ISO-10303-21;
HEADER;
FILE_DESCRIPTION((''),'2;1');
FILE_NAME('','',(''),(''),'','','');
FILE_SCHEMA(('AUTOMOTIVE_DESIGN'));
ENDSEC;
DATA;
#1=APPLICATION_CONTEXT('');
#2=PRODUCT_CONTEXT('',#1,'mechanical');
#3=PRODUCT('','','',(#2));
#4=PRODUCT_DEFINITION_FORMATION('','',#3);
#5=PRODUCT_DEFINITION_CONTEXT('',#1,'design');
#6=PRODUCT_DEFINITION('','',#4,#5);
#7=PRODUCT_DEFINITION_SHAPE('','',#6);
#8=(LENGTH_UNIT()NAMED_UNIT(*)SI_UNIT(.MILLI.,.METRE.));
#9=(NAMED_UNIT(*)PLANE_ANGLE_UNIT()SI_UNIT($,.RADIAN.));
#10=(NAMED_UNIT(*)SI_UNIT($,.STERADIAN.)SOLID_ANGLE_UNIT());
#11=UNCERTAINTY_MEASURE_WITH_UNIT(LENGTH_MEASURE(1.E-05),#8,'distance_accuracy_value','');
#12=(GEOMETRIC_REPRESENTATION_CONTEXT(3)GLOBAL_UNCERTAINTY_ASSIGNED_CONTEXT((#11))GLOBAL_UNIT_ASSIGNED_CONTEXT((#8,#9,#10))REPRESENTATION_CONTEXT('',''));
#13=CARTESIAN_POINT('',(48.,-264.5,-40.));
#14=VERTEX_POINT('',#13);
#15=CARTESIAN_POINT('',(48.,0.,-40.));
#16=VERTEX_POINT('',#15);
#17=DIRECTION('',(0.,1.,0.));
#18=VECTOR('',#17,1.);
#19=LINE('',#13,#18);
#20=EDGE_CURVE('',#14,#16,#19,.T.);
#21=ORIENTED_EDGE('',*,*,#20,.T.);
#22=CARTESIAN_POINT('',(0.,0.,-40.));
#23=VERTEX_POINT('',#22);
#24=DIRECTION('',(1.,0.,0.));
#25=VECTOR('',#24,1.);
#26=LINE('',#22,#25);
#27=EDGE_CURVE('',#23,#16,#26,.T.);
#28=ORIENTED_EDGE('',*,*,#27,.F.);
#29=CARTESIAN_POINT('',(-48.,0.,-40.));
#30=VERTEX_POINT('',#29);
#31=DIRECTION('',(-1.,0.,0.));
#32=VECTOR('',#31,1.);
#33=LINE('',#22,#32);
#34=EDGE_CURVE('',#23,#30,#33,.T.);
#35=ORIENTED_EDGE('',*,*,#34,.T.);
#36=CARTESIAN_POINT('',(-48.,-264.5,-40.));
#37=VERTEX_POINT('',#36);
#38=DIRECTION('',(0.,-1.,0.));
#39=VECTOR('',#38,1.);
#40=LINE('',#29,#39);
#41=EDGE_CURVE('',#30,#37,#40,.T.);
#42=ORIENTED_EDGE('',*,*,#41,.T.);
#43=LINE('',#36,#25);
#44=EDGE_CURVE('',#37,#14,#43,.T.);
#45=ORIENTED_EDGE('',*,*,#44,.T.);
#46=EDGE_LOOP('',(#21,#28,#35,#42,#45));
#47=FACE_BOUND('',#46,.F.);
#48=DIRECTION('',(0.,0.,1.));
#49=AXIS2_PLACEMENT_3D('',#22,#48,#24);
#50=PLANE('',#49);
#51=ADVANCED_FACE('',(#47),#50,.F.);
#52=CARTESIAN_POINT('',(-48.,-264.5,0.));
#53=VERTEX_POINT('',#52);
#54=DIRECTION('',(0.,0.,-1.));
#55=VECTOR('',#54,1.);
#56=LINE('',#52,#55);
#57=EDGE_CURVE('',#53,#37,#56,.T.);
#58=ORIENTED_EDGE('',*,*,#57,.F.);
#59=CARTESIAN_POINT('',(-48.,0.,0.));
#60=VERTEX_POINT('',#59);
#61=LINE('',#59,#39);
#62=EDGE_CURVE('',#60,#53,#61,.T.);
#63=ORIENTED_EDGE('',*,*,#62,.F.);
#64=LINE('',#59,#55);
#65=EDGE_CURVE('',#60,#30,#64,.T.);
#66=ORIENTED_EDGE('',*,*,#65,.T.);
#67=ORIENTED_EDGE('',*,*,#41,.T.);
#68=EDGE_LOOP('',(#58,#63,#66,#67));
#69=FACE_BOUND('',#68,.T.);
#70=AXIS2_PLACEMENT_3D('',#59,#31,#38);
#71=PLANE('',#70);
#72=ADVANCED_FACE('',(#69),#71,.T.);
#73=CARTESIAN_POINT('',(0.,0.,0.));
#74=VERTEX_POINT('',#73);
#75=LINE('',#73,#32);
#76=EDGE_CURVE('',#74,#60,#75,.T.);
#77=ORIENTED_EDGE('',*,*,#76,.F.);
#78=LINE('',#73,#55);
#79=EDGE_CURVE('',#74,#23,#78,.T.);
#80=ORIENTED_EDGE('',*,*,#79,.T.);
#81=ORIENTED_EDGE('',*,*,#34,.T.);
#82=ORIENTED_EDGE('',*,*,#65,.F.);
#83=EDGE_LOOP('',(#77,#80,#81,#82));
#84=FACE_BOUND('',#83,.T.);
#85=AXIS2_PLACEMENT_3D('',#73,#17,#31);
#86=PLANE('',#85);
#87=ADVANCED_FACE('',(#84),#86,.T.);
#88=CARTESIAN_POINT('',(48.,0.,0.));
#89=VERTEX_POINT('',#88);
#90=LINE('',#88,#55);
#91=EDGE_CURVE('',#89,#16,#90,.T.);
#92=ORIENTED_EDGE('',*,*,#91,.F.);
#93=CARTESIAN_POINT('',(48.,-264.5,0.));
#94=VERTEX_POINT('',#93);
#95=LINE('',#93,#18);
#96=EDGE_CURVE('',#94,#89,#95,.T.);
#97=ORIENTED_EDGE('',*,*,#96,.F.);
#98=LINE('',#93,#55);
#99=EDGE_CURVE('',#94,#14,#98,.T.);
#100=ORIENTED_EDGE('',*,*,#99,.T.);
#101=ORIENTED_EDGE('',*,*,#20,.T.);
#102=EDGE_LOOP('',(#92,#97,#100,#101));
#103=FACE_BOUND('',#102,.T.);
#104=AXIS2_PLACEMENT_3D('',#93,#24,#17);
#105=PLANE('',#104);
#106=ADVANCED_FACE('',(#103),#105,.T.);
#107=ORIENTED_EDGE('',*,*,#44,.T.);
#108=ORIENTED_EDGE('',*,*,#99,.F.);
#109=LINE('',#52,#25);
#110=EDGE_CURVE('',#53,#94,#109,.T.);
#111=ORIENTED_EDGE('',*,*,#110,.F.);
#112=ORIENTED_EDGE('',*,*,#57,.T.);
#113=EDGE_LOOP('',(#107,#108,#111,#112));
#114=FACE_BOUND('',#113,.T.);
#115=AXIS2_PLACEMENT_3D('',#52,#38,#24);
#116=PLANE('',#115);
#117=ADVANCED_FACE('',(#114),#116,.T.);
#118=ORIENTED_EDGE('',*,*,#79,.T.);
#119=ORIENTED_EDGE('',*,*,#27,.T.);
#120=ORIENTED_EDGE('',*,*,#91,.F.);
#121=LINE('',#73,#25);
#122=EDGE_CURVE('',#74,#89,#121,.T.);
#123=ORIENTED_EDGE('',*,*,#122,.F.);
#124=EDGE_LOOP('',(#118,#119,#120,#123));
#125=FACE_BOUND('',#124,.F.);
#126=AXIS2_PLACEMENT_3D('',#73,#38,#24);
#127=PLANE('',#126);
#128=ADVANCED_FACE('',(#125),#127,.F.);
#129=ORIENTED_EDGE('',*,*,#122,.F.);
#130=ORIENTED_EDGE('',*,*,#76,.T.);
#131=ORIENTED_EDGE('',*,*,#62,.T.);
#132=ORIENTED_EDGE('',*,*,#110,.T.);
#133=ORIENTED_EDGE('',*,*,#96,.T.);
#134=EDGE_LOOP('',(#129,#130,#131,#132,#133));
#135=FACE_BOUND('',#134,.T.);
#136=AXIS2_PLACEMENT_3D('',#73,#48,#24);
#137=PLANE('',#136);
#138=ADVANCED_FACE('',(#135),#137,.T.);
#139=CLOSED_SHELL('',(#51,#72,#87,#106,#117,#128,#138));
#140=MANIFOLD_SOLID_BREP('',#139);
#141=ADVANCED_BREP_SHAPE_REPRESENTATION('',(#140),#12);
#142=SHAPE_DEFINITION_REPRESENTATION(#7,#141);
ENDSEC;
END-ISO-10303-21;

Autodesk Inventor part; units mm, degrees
ref_plane "YZ Plane" through (0, 0, 0) normal (1, 0, 0) x (0, 1, 0)
ref_plane "XZ Plane" through (0, 0, 0) normal (0, 1, 0) x (-1, 0, 0)
ref_plane "XY Plane" through (0, 0, 0) normal (0, 0, 1) x (1, 0, 0)
sketch "Boceto1" plane through (0, 0, 0) normal (0, 0, 1) x (1, 0, 0)
  line L0 (0, 0) -> (48, 0)
  line L1 (0, 0) -> (-48, 0)
  line L2 (-48, 0) -> (-48, -264.5)
  line L3 (-48, -264.5) -> (48, -264.5)
  line L4 (48, -264.5) -> (48, 0)
  dimension "d0" = 48
  dimension "d1" = 48
  dimension "d2" = 264.5
extrude "Extrusión1" add sketch "Boceto1" against normal blind 40
sketch "Boceto2" plane through (48, -264.5, 0) normal (1, 0, 0) x (0, 0, -1)
  point P0 (0, 264.5)
properties part number "Knee_v1"
